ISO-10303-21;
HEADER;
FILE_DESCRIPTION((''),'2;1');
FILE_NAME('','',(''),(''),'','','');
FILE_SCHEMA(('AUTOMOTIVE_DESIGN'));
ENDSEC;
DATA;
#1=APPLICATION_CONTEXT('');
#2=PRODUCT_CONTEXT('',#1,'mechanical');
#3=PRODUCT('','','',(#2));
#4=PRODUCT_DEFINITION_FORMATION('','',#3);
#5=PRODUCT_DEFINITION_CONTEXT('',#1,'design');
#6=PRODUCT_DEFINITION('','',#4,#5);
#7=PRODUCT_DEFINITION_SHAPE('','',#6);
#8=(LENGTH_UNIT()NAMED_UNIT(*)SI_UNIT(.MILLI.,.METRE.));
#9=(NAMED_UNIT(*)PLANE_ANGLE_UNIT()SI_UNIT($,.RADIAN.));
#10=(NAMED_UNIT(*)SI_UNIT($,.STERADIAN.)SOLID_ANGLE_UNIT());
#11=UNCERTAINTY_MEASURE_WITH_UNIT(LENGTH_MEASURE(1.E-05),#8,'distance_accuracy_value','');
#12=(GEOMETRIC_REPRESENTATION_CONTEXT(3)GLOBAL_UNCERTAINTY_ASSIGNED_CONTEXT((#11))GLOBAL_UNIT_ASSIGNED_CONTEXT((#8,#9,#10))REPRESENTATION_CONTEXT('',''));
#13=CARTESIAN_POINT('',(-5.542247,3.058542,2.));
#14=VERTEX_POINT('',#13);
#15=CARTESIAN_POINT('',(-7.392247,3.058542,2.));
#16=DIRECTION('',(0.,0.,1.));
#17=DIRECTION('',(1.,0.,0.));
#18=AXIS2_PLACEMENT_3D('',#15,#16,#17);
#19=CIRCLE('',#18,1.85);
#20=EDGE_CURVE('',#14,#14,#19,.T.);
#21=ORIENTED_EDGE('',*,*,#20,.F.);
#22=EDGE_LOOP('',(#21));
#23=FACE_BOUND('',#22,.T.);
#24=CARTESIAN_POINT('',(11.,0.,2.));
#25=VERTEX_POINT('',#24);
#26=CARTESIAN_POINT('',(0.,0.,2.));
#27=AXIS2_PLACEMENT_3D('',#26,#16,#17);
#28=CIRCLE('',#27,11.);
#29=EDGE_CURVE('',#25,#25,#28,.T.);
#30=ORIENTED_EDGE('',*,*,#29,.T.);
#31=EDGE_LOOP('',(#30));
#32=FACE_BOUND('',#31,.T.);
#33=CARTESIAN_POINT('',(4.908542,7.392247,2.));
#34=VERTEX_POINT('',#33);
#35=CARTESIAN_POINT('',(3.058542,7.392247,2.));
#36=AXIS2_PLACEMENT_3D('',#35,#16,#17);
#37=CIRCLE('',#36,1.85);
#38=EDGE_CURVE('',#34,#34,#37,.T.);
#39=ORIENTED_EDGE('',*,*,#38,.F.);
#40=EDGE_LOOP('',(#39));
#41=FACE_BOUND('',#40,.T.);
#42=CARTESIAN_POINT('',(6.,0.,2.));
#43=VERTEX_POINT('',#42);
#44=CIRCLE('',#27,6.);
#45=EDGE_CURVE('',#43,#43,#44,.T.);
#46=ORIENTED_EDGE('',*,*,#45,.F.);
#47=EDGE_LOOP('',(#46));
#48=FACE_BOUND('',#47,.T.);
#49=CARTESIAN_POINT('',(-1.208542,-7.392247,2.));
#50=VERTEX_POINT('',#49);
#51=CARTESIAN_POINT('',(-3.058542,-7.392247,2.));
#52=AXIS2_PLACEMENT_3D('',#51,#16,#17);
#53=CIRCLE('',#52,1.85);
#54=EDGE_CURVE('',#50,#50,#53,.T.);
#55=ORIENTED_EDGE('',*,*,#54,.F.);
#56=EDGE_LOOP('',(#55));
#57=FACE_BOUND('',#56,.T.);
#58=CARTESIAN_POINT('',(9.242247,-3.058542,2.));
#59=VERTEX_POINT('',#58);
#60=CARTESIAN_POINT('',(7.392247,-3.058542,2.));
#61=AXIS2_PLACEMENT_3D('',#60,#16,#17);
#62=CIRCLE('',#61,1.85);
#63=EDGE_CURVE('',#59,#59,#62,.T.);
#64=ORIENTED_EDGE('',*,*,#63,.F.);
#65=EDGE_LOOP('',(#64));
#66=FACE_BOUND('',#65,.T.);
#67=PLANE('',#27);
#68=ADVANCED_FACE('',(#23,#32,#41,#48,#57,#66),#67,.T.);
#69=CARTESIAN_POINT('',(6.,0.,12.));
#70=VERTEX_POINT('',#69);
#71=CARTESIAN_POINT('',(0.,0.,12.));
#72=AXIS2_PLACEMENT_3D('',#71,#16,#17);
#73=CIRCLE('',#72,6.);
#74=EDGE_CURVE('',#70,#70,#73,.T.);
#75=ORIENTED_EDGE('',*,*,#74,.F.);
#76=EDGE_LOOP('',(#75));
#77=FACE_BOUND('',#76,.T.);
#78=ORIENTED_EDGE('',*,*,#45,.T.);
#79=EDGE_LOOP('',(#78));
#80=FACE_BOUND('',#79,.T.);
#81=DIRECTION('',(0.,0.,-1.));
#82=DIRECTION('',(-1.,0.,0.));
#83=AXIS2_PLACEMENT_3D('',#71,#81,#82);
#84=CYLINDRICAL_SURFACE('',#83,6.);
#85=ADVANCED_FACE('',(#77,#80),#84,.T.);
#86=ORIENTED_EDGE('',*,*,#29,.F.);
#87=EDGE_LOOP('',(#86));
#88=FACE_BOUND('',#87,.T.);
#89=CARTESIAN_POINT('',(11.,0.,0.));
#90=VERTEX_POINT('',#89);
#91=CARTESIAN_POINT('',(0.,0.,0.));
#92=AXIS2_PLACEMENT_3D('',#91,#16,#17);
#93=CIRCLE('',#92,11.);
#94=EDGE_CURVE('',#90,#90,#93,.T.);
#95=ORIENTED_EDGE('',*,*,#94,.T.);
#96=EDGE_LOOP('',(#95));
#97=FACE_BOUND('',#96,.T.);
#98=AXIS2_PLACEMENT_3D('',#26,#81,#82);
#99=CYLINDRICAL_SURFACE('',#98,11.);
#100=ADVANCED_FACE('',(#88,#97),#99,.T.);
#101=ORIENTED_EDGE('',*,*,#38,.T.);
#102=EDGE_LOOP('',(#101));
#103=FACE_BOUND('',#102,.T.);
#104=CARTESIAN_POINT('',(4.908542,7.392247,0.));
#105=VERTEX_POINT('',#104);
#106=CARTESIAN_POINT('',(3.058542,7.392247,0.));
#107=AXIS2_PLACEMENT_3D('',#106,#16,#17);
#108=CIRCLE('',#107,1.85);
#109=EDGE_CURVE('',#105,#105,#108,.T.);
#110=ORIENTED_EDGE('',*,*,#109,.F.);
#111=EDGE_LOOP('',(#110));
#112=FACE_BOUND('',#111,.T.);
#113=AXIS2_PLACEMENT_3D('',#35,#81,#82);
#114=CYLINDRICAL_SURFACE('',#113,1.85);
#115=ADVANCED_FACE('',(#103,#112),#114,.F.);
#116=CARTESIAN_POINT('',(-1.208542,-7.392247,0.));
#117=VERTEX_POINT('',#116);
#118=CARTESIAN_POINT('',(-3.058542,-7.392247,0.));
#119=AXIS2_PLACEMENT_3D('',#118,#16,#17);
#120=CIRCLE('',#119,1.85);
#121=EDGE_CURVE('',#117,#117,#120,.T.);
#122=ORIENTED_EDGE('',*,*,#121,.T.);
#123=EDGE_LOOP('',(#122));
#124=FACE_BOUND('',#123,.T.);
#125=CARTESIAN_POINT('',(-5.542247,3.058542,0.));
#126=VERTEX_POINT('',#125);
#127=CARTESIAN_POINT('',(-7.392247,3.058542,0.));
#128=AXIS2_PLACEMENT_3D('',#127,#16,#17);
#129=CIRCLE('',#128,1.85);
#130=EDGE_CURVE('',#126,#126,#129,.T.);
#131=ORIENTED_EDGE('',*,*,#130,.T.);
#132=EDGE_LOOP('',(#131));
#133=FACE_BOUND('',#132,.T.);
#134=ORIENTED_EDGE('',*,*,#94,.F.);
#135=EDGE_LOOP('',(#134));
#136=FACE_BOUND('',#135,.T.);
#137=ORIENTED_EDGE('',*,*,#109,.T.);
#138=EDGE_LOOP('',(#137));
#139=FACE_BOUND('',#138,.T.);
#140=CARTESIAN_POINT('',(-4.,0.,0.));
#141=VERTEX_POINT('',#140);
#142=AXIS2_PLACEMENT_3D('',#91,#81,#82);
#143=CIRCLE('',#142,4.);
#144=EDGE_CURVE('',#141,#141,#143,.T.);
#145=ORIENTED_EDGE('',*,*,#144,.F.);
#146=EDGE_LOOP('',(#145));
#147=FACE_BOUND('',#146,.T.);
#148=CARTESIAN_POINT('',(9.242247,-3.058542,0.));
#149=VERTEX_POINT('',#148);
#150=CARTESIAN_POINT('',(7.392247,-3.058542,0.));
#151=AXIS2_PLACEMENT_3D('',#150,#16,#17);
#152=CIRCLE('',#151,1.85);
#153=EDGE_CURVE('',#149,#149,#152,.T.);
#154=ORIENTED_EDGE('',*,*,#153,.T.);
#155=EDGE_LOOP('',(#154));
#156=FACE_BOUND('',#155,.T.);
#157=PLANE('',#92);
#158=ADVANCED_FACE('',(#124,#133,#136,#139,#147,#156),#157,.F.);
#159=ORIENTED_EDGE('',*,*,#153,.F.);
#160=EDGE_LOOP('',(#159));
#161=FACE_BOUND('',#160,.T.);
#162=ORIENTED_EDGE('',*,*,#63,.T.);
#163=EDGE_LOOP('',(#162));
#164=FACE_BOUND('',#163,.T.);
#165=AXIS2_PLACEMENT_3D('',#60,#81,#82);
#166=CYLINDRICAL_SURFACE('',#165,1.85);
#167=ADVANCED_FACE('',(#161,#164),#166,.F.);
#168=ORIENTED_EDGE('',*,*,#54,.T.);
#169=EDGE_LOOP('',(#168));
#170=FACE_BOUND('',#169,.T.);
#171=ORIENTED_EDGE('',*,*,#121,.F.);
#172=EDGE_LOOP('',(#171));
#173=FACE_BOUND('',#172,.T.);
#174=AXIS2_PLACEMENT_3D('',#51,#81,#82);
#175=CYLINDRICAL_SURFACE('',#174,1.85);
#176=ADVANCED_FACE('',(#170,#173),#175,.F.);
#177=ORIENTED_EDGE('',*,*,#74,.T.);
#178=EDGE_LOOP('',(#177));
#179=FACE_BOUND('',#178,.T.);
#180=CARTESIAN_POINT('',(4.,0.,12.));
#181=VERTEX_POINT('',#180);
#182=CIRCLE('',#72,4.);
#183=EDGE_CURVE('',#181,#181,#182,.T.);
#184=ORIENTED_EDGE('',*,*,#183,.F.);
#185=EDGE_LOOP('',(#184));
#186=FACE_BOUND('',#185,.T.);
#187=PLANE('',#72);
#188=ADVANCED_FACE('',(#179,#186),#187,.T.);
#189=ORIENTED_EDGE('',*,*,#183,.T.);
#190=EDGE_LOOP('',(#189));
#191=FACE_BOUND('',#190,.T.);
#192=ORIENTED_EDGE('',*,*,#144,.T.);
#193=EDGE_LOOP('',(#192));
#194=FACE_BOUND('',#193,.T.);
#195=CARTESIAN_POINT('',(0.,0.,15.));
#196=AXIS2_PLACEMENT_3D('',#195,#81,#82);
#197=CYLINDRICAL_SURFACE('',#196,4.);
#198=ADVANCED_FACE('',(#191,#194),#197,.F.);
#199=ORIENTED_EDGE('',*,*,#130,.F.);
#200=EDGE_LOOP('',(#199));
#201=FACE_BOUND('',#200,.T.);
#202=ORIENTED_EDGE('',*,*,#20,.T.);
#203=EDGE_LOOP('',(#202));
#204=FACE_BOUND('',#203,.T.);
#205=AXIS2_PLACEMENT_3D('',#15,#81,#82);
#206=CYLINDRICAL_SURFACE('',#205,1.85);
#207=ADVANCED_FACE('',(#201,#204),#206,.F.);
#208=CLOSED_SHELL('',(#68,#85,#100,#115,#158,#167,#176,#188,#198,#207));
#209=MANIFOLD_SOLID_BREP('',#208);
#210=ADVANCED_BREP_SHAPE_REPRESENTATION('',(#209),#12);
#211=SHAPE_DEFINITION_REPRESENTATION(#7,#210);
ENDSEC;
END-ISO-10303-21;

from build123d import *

# Parameters (mm, degrees)
SKETCH1_R           = 11
SKETCH1_R_2         = 1.85
BOSS_EXTRUDE1_DEPTH = 2
SKETCH2_R           = 6
BOSS_EXTRUDE2_DEPTH = 10
SKETCH4_R           = 4
CUT_EXTRUDE1_DEPTH  = 15


with BuildPart() as part:
    # Sketch1 → Boss-Extrude1 (new body)
    with BuildSketch(Plane(origin=(0, 0, 0), x_dir=(0, 1, 0), z_dir=(0, 0, 1))):
        with Locations(Location((0, 0, 0), (0, 0, 270))):
            Circle(SKETCH1_R)
        with Locations(Location((-7.392247164, 3.058542441, 0), (0, 0, 270))):
            Circle(SKETCH1_R_2, mode=Mode.SUBTRACT)
        with Locations(Location((3.058542441, 7.392247164, 0), (0, 0, 270))):
            Circle(SKETCH1_R_2, mode=Mode.SUBTRACT)
        with Locations(Location((7.392247164, -3.058542441, 0), (0, 0, 270))):
            Circle(SKETCH1_R_2, mode=Mode.SUBTRACT)
        with Locations(Location((-3.058542441, -7.392247164, 0), (0, 0, 270))):
            Circle(SKETCH1_R_2, mode=Mode.SUBTRACT)
    extrude(amount=BOSS_EXTRUDE1_DEPTH)

    # Sketch2 → Boss-Extrude2 (add)
    with BuildSketch(Plane.XY.offset(2)):
        Circle(SKETCH2_R)
    extrude(amount=BOSS_EXTRUDE2_DEPTH)

    # Sketch4 → Cut-Extrude1 (cut)
    with BuildSketch(Plane(origin=(0, 0, 0), x_dir=(1, 0, 0), z_dir=(0, 0, -1))):
        with Locations(Location((0, 0, 0), (0, 0, 180))):
            Circle(SKETCH4_R)
    extrude(amount=-CUT_EXTRUDE1_DEPTH, mode=Mode.SUBTRACT)


solid = part.part
